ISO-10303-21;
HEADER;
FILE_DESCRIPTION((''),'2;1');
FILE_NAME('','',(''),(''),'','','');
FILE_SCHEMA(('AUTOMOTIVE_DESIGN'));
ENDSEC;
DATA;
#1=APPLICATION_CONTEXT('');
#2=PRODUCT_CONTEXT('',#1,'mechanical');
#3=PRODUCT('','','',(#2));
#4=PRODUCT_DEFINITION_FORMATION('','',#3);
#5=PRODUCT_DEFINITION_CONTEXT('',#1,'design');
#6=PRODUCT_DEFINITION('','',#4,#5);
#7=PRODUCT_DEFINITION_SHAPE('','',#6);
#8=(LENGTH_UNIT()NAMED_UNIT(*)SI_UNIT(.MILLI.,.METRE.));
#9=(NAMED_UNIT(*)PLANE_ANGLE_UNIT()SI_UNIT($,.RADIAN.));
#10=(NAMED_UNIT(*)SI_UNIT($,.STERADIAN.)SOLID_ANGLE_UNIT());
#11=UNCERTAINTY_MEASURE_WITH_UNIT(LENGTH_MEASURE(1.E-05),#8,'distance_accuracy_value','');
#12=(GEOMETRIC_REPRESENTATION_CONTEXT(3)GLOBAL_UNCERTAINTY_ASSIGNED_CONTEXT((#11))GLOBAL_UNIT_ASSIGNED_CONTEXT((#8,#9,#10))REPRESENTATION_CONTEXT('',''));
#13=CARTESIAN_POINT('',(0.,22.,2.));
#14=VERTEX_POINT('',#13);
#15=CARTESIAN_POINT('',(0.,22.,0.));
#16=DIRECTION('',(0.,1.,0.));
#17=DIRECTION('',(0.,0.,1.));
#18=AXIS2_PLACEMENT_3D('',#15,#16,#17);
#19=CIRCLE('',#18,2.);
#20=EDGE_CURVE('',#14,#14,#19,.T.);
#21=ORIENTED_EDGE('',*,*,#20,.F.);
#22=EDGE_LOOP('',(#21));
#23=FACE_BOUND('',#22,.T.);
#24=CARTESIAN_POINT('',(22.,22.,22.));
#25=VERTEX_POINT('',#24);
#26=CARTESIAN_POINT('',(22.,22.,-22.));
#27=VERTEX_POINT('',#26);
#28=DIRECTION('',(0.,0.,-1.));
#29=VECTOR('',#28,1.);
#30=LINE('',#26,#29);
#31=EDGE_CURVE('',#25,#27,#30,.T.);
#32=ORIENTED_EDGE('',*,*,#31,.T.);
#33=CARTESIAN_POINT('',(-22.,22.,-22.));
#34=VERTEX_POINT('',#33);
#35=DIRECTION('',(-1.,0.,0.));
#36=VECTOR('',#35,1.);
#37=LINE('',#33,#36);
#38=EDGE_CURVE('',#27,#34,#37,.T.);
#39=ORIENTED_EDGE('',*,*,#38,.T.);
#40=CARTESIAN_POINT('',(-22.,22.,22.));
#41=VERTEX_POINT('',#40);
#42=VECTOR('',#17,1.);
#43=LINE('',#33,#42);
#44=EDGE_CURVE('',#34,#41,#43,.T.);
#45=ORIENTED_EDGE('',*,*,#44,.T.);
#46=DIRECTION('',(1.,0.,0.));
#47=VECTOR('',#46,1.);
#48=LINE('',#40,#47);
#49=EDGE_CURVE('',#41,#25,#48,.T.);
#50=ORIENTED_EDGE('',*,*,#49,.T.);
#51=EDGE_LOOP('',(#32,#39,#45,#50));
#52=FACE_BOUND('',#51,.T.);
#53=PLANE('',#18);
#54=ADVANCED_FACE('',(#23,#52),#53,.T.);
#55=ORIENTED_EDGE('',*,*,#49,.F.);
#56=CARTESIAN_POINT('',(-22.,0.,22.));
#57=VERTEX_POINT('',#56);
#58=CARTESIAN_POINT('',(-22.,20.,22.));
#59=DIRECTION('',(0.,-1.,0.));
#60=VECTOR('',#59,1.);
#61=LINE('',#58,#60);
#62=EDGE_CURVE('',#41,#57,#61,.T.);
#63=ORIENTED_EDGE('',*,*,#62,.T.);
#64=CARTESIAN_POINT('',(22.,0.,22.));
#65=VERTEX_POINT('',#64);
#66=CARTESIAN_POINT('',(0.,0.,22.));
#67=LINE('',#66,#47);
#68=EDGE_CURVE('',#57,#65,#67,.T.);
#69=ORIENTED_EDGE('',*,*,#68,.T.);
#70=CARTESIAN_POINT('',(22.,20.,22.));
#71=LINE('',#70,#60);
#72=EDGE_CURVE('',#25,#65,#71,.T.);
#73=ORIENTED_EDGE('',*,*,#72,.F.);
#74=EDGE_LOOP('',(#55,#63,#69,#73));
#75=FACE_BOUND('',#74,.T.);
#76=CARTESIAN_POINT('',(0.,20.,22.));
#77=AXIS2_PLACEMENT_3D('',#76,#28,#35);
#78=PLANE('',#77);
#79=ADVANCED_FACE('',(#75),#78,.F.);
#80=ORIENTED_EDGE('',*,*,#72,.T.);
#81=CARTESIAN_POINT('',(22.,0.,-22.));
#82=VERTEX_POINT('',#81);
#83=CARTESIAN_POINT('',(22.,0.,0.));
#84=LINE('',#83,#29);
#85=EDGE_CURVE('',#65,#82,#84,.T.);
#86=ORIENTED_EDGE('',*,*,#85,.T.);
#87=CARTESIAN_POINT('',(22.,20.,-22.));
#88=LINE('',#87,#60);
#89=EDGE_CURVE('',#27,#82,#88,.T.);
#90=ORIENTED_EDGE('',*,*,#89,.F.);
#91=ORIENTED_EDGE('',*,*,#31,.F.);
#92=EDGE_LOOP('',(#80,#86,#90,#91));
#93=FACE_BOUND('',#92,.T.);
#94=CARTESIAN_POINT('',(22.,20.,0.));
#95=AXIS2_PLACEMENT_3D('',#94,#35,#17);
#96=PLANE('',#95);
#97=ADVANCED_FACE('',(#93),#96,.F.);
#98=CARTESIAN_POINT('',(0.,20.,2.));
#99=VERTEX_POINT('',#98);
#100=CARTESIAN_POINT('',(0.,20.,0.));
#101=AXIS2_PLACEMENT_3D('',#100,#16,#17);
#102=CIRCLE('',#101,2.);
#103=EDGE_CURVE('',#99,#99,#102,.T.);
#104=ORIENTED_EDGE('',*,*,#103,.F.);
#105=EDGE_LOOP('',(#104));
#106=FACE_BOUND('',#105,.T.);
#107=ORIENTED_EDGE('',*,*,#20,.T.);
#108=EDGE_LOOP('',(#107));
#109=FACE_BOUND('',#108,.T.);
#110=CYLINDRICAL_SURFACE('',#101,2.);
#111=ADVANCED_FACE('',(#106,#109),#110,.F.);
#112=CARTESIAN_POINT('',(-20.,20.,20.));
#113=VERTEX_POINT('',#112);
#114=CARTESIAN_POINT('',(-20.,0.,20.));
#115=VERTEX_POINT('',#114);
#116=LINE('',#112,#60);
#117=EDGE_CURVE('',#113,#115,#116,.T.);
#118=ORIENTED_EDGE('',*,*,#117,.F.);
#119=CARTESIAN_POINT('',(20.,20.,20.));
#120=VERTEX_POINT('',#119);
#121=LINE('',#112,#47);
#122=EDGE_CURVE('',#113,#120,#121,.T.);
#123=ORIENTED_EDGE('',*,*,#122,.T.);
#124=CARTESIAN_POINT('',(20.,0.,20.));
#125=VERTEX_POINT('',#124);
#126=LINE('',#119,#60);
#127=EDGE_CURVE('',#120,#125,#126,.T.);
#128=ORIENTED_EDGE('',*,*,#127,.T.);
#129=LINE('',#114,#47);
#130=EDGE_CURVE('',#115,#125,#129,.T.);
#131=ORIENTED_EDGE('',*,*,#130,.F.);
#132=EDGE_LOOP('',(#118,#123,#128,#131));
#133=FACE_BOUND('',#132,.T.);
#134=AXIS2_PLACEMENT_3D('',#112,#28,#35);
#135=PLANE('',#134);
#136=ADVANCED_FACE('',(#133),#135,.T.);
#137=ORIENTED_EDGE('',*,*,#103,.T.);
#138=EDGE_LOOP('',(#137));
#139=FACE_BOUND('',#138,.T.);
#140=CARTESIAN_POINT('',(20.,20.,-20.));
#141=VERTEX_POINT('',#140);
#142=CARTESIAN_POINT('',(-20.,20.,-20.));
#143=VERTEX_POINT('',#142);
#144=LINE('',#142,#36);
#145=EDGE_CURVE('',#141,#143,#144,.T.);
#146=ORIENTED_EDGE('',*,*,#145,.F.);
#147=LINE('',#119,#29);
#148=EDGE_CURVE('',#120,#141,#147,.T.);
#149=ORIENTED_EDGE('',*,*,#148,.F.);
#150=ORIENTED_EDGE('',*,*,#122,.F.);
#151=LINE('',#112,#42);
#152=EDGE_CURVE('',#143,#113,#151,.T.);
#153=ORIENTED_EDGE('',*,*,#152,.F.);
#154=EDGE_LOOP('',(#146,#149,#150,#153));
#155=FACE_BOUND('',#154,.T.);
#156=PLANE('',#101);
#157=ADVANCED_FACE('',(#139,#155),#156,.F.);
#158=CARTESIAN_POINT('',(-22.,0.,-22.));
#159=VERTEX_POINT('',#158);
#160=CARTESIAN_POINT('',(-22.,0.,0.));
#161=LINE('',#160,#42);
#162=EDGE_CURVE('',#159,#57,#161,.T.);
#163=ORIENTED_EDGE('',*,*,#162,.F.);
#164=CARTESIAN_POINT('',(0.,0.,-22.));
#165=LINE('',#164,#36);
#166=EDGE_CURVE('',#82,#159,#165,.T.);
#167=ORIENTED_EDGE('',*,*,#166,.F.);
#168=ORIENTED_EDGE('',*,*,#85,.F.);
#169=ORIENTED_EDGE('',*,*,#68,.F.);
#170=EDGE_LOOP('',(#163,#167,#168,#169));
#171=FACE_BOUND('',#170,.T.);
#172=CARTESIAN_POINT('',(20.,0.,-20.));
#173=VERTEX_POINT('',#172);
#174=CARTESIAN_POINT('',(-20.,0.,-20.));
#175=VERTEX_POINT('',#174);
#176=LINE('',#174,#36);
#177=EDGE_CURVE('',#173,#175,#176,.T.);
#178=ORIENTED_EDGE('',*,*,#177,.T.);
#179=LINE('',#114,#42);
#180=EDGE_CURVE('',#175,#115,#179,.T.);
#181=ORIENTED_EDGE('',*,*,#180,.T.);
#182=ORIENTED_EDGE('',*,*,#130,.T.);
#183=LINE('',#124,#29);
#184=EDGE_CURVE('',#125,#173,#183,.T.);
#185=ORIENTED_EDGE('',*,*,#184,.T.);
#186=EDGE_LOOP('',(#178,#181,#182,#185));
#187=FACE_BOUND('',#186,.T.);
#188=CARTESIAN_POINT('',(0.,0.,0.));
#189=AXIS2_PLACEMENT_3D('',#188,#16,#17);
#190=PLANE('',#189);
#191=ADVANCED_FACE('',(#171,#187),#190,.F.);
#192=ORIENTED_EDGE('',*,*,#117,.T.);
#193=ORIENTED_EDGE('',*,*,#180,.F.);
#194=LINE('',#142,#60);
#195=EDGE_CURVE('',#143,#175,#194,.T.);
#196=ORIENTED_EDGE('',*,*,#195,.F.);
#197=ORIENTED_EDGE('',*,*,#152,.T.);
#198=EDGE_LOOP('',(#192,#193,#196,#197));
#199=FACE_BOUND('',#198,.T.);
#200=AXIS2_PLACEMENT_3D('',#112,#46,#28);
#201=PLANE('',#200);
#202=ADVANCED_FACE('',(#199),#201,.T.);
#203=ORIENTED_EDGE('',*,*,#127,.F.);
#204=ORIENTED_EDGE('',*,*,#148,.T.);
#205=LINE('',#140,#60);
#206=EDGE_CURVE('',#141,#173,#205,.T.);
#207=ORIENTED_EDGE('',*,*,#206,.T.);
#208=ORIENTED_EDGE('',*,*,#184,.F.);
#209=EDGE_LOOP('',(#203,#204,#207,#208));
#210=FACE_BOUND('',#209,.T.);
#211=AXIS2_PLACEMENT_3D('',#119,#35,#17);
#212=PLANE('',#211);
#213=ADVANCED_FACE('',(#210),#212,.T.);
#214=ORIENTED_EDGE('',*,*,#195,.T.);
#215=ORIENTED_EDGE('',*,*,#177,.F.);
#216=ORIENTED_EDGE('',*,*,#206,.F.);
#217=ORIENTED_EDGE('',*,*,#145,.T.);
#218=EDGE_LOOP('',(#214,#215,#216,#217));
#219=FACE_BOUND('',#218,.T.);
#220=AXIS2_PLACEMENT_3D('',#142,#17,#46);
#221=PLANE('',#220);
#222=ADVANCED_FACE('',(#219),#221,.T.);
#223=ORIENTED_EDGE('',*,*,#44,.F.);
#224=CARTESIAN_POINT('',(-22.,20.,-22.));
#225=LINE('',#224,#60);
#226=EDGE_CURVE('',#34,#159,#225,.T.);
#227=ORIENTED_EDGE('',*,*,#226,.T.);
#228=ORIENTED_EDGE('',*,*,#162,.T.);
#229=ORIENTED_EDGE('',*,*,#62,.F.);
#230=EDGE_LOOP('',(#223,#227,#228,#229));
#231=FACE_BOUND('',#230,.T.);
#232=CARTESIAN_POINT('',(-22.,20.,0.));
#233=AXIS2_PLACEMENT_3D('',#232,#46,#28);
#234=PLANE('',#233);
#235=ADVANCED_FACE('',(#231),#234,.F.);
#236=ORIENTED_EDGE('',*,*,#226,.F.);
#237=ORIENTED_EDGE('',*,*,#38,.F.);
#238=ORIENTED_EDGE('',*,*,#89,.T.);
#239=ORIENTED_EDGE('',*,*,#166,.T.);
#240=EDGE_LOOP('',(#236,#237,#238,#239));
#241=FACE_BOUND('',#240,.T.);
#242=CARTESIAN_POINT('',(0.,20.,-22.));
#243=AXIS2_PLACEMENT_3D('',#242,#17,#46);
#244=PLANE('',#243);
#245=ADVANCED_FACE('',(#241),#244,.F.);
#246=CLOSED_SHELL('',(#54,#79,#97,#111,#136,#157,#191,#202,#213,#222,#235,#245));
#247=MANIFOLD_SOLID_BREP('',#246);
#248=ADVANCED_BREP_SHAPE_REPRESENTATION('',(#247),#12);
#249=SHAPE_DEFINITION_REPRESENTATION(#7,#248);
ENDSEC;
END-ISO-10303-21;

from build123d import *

# Parameters (mm, degrees)
SKETCH_1_W          = 44
SKETCH_1_H          = 44
SKETCH_1_W_2        = 40
SKETCH_1_H_2        = 40
EXTRUDE_1_DEPTH     = 20
SKETCH_2_W          = 44
SKETCH_2_H          = 44
EXTRUDE_1_2_DEPTH   = 2
SKETCH_3_R          = 2
CUT_EXTRUDE_1_DEPTH = 2


with BuildPart() as part:
    # 草图1 → Extrude 1 (new body)
    with BuildSketch(Plane(origin=(0, 0, 0), x_dir=(1, 0, 0), z_dir=(0, 1, 0))):
        Rectangle(SKETCH_1_W, SKETCH_1_H)
        Rectangle(SKETCH_1_W_2, SKETCH_1_H_2, mode=Mode.SUBTRACT)
    extrude(amount=EXTRUDE_1_DEPTH)

    # 草图2 → Extrude 1 2 (add)
    with BuildSketch(Plane(origin=(0, 20, 0), x_dir=(1, 0, 0), z_dir=(0, 1, 0))):
        Rectangle(SKETCH_2_W, SKETCH_2_H)
    extrude(amount=EXTRUDE_1_2_DEPTH)

    # 草图3 → 切除-拉伸1 (cut)
    with BuildSketch(Plane(origin=(0, 22, 0), x_dir=(1, 0, 0), z_dir=(0, 1, 0))):
        with Locations(Location((0, 0, 0), (0, 0, 270))):
            Circle(SKETCH_3_R)
    extrude(amount=-CUT_EXTRUDE_1_DEPTH, mode=Mode.SUBTRACT)


solid = part.part
